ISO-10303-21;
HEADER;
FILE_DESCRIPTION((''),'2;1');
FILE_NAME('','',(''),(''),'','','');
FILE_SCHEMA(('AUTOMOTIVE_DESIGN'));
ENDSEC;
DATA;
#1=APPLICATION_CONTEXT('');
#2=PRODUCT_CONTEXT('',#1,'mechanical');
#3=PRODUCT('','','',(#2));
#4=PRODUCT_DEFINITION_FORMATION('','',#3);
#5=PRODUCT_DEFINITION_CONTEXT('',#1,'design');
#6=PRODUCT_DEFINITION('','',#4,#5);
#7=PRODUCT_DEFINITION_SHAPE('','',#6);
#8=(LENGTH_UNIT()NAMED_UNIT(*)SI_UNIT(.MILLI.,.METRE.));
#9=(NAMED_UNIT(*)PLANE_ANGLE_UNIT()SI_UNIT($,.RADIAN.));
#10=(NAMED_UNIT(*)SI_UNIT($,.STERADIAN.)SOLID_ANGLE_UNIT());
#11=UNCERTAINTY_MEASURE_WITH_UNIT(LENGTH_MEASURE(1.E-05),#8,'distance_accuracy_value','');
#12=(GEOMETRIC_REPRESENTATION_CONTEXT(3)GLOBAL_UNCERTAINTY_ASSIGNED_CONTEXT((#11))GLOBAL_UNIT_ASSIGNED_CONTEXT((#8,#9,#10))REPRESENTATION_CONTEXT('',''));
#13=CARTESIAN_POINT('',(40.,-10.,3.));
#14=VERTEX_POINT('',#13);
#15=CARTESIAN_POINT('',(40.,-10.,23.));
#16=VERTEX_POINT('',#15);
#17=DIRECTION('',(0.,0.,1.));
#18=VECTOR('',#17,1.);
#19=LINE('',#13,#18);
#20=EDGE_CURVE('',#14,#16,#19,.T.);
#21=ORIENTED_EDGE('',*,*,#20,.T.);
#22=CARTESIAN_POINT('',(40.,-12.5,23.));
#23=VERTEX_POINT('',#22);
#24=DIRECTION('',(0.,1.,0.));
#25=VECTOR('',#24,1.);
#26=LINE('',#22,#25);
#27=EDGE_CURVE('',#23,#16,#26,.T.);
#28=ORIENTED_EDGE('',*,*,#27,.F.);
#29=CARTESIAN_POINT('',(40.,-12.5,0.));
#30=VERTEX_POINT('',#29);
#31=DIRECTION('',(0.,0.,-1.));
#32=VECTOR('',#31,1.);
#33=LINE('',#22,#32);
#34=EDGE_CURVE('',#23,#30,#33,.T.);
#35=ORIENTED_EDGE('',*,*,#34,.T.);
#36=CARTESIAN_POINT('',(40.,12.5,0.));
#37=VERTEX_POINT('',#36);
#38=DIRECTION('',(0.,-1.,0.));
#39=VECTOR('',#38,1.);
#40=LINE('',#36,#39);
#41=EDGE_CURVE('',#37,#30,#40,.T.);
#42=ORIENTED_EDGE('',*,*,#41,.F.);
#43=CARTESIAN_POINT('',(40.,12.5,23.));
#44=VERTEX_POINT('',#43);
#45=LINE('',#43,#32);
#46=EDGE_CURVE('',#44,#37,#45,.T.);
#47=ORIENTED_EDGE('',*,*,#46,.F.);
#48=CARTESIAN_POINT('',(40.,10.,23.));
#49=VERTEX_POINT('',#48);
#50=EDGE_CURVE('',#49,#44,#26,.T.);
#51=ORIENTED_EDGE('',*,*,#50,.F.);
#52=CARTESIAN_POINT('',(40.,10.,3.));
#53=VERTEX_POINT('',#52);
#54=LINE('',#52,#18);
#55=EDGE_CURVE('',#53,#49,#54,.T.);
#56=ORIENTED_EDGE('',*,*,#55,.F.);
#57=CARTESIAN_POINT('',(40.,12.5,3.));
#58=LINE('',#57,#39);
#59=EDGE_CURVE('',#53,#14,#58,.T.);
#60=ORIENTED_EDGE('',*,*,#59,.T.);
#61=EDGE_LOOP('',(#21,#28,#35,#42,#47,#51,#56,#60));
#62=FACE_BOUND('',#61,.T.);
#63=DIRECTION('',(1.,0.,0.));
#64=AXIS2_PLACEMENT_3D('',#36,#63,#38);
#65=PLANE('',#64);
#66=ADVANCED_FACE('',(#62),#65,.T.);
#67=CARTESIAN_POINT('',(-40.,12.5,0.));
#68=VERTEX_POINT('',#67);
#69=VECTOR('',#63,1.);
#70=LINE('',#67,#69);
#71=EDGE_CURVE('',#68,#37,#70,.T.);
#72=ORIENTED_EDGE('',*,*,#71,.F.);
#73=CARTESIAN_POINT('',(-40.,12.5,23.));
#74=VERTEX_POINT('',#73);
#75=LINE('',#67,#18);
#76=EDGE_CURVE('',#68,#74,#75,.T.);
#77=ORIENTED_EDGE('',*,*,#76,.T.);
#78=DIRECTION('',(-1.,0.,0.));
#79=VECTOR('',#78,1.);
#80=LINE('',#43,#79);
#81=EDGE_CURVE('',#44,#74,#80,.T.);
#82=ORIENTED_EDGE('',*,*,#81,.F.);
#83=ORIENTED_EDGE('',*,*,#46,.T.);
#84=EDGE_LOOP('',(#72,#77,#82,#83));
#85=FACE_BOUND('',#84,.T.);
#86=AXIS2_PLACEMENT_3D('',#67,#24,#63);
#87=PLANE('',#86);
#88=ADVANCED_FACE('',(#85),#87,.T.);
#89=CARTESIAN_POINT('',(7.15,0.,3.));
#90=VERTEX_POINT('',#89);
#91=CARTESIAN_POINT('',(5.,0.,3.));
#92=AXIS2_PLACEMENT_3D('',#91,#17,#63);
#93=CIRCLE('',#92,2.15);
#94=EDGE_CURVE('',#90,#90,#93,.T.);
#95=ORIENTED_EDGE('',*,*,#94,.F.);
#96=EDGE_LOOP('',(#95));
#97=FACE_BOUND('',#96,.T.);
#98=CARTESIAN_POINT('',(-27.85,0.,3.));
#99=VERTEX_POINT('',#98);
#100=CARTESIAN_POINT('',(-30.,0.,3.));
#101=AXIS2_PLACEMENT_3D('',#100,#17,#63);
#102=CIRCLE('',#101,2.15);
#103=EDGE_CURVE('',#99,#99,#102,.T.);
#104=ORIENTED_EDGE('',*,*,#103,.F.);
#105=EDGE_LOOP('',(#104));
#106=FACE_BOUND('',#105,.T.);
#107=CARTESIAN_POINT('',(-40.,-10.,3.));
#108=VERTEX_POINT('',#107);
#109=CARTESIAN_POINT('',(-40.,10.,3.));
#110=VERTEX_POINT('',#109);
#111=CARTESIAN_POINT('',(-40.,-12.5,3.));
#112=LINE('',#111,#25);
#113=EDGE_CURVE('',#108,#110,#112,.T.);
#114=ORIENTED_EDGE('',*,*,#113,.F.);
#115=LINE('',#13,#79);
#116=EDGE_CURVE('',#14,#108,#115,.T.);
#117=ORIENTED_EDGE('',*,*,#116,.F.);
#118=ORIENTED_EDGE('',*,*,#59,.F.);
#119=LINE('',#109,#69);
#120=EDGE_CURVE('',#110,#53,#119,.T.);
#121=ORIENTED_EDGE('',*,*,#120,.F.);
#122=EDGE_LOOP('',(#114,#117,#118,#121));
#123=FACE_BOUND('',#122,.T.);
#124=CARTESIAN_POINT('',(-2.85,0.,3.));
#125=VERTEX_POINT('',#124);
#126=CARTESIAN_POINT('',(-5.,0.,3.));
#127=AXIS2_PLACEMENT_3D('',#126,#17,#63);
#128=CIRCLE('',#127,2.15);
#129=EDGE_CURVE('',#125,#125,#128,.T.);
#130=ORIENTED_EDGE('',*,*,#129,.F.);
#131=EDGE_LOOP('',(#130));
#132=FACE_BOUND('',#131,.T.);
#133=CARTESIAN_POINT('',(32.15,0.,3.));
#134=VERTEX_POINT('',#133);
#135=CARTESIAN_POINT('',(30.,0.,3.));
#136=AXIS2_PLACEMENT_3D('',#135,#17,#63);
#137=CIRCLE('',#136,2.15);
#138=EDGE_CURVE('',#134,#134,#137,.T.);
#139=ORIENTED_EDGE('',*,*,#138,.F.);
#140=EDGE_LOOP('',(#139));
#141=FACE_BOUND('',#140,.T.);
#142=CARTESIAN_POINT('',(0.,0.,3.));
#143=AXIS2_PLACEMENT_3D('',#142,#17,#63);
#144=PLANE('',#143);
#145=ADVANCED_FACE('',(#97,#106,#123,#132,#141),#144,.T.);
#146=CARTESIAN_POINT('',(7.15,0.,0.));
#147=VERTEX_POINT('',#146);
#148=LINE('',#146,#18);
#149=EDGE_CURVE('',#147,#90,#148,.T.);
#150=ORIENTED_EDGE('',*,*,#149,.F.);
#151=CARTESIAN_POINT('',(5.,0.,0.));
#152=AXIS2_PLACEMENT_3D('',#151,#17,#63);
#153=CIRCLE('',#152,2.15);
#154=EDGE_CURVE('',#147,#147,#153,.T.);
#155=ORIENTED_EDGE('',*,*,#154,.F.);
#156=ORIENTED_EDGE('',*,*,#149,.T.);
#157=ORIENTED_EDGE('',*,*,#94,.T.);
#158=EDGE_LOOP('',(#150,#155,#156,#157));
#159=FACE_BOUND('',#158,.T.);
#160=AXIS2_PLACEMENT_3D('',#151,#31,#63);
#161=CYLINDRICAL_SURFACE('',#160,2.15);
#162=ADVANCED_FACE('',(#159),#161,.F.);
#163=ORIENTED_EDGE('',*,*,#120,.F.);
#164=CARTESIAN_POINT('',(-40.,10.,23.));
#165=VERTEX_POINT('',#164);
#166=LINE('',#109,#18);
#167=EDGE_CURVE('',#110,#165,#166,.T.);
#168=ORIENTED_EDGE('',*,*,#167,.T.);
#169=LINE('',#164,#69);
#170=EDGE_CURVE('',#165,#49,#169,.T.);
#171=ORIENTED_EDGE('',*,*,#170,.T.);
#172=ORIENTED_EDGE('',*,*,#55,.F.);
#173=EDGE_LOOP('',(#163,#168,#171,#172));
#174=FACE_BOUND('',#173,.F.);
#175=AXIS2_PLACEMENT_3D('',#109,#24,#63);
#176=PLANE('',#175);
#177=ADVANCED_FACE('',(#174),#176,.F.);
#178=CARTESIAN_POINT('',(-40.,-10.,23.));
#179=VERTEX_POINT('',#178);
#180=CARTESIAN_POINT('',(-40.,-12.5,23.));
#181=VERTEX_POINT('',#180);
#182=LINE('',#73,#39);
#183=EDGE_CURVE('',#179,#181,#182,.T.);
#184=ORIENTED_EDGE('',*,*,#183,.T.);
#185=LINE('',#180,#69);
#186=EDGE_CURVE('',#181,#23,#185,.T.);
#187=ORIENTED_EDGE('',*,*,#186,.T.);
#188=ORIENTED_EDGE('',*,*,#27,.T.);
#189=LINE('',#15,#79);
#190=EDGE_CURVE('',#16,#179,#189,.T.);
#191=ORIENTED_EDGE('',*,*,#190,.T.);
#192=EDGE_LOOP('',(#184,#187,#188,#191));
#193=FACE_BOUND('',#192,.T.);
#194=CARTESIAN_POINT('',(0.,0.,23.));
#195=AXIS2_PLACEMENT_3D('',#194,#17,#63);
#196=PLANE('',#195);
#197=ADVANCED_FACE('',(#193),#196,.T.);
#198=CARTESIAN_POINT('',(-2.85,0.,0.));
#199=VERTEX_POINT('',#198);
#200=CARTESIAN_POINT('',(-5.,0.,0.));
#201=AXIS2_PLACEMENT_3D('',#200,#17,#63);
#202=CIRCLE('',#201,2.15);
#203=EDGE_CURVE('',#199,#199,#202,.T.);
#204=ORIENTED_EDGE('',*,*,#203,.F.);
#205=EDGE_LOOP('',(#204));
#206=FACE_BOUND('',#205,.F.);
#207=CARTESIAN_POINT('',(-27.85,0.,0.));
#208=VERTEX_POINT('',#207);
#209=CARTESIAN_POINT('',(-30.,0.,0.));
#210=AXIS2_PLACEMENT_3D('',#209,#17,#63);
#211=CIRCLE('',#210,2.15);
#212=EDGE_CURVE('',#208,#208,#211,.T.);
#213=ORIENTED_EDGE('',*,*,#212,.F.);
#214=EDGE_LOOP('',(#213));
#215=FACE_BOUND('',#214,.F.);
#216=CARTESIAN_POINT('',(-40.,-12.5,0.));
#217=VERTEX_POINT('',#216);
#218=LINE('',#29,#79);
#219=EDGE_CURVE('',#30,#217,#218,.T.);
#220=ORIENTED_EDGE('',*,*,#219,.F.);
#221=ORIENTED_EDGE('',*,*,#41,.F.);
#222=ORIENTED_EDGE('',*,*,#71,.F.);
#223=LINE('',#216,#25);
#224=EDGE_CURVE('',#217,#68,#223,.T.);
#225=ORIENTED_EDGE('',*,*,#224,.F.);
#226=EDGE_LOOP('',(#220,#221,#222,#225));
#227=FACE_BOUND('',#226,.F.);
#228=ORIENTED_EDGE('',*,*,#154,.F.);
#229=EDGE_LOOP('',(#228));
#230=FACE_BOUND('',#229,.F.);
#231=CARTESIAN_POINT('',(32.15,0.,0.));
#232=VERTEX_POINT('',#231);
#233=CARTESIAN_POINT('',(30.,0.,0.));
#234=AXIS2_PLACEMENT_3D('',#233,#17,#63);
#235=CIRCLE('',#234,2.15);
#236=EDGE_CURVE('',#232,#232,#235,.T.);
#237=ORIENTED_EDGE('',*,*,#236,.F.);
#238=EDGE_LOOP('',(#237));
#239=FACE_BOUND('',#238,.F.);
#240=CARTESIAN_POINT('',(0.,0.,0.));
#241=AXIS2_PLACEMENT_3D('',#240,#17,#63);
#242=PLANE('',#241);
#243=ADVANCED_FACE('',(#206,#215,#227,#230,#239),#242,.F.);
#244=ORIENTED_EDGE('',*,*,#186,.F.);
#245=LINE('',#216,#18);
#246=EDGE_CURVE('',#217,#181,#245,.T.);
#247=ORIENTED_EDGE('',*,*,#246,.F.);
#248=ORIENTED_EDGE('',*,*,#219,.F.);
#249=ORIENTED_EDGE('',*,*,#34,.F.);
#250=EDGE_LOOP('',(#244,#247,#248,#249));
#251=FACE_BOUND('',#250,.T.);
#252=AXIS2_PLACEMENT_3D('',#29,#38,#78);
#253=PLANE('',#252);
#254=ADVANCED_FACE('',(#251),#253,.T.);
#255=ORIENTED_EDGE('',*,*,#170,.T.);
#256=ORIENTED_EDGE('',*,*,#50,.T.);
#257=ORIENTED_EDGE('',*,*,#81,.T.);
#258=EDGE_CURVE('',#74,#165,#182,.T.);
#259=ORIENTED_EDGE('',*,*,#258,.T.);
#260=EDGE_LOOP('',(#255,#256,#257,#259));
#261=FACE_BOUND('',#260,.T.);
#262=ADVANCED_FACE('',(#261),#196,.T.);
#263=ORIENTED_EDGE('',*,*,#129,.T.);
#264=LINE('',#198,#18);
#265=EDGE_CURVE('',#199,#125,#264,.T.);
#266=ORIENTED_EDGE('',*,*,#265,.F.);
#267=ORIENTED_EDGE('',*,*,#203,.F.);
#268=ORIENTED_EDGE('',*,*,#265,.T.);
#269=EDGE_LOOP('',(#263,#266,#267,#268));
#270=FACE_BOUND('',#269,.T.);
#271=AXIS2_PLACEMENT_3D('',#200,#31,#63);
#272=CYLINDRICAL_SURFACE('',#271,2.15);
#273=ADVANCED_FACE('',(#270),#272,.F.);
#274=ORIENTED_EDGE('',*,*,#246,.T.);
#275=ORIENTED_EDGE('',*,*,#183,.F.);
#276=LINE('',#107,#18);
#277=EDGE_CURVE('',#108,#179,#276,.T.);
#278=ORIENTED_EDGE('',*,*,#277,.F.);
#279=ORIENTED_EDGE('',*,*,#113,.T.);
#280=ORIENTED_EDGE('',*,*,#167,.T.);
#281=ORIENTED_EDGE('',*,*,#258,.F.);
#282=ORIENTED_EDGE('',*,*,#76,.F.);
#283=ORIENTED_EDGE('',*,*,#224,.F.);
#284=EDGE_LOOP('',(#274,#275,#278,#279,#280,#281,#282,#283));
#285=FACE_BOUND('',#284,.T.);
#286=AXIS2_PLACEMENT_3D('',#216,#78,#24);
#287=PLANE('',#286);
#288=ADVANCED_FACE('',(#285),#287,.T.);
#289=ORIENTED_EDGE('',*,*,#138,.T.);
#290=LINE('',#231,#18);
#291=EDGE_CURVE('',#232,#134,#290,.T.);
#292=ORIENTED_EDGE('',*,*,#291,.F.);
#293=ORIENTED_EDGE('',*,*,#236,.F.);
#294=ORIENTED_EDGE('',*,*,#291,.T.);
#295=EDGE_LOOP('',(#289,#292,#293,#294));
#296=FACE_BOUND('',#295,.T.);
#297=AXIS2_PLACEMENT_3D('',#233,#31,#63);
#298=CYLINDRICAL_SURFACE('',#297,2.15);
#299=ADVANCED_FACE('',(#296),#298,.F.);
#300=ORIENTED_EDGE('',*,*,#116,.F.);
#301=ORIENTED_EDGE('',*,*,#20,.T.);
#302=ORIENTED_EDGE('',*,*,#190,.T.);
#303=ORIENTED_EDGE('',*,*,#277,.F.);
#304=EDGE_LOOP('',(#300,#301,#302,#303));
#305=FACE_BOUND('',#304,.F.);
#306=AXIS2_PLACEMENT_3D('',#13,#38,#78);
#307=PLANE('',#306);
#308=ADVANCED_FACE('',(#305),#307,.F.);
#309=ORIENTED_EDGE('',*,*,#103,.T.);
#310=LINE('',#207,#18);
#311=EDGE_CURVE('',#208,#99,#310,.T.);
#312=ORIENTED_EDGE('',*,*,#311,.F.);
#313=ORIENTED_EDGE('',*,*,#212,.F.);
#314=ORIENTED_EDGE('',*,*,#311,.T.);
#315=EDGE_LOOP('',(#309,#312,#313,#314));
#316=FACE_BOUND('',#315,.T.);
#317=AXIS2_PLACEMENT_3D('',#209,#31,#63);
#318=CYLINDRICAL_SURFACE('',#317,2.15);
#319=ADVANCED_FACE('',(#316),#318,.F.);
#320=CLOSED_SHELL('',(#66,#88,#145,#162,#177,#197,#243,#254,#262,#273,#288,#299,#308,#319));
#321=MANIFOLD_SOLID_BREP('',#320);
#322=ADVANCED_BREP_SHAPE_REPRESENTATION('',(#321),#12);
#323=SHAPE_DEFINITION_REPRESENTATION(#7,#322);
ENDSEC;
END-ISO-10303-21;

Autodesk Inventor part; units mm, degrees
ref_plane "YZ Plane" through (0, 0, 0) normal (1, 0, 0) x (0, 1, 0)
ref_plane "XZ Plane" through (0, 0, 0) normal (0, 1, 0) x (-1, 0, 0)
ref_plane "XY Plane" through (0, 0, 0) normal (0, 0, 1) x (1, 0, 0)
sketch "Sketch1" plane through (0, 0, 0) normal (0, 0, 1) x (1, 0, 0)
  line L0 (-40, 12.5) -> (40, 12.5)
  line L1 (40, 12.5) -> (40, -12.5)
  line L2 (40, -12.5) -> (-40, -12.5)
  line L3 (-40, -12.5) -> (-40, 12.5)
  circle A0 centre (-30, 0) radius 2.15
  circle A1 centre (-5, 0) radius 2.15
  circle A2 centre (5, 0) radius 2.15
  circle A3 centre (30, 0) radius 2.15
  point P0 (0, 0)
  point P1 (0, 12.5)
  point P2 (-40, 0)
  dimension "d0" = 25
  dimension "d1" = 80
  dimension "d9" = 4.3
  dimension "d10" = 5
  dimension "d11" = 5
  dimension "d12" = 10
  dimension "d13" = 10
extrude "Extrusion1" add sketch "Sketch1" along normal blind 3
sketch "Sketch2" plane through (0, 0, 3) normal (0, 0, 1) x (1, 0, 0)
  line L0 (-40, -12.5) -> (40, -12.5) projected
  line L1 (40, -12.5) -> (40, 12.5) projected
  line L2 (40, 12.5) -> (-40, 12.5) projected
  line L3 (-40, 12.5) -> (-40, -12.5) projected
  line L4 (-40, 12.5) -> (-40, -12.5) projected
  line L5 (-40, 10) -> (40, 10)
  line L6 (40, -12.5) -> (40, 12.5) projected
  line L7 (40, -12.5) -> (40, 12.5) projected
  line L8 (40, -10) -> (-40, -10)
  point P0 (0, 0)
  dimension "d4" = 2.5
  dimension "d5" = 2.5
  dimension "d6" = 20
extrude "Extrusion2" add sketch "Sketch2" along normal blind 20 contours L3 L8 L1 L0 | L3 L2 L1 L5
equation "\"d11\" = d10"
equation "\"d12\" = 2 * d10"
equation "\"d13\" = d12"
equation "\"d5\" = d4"
properties part number "Verbinder"
